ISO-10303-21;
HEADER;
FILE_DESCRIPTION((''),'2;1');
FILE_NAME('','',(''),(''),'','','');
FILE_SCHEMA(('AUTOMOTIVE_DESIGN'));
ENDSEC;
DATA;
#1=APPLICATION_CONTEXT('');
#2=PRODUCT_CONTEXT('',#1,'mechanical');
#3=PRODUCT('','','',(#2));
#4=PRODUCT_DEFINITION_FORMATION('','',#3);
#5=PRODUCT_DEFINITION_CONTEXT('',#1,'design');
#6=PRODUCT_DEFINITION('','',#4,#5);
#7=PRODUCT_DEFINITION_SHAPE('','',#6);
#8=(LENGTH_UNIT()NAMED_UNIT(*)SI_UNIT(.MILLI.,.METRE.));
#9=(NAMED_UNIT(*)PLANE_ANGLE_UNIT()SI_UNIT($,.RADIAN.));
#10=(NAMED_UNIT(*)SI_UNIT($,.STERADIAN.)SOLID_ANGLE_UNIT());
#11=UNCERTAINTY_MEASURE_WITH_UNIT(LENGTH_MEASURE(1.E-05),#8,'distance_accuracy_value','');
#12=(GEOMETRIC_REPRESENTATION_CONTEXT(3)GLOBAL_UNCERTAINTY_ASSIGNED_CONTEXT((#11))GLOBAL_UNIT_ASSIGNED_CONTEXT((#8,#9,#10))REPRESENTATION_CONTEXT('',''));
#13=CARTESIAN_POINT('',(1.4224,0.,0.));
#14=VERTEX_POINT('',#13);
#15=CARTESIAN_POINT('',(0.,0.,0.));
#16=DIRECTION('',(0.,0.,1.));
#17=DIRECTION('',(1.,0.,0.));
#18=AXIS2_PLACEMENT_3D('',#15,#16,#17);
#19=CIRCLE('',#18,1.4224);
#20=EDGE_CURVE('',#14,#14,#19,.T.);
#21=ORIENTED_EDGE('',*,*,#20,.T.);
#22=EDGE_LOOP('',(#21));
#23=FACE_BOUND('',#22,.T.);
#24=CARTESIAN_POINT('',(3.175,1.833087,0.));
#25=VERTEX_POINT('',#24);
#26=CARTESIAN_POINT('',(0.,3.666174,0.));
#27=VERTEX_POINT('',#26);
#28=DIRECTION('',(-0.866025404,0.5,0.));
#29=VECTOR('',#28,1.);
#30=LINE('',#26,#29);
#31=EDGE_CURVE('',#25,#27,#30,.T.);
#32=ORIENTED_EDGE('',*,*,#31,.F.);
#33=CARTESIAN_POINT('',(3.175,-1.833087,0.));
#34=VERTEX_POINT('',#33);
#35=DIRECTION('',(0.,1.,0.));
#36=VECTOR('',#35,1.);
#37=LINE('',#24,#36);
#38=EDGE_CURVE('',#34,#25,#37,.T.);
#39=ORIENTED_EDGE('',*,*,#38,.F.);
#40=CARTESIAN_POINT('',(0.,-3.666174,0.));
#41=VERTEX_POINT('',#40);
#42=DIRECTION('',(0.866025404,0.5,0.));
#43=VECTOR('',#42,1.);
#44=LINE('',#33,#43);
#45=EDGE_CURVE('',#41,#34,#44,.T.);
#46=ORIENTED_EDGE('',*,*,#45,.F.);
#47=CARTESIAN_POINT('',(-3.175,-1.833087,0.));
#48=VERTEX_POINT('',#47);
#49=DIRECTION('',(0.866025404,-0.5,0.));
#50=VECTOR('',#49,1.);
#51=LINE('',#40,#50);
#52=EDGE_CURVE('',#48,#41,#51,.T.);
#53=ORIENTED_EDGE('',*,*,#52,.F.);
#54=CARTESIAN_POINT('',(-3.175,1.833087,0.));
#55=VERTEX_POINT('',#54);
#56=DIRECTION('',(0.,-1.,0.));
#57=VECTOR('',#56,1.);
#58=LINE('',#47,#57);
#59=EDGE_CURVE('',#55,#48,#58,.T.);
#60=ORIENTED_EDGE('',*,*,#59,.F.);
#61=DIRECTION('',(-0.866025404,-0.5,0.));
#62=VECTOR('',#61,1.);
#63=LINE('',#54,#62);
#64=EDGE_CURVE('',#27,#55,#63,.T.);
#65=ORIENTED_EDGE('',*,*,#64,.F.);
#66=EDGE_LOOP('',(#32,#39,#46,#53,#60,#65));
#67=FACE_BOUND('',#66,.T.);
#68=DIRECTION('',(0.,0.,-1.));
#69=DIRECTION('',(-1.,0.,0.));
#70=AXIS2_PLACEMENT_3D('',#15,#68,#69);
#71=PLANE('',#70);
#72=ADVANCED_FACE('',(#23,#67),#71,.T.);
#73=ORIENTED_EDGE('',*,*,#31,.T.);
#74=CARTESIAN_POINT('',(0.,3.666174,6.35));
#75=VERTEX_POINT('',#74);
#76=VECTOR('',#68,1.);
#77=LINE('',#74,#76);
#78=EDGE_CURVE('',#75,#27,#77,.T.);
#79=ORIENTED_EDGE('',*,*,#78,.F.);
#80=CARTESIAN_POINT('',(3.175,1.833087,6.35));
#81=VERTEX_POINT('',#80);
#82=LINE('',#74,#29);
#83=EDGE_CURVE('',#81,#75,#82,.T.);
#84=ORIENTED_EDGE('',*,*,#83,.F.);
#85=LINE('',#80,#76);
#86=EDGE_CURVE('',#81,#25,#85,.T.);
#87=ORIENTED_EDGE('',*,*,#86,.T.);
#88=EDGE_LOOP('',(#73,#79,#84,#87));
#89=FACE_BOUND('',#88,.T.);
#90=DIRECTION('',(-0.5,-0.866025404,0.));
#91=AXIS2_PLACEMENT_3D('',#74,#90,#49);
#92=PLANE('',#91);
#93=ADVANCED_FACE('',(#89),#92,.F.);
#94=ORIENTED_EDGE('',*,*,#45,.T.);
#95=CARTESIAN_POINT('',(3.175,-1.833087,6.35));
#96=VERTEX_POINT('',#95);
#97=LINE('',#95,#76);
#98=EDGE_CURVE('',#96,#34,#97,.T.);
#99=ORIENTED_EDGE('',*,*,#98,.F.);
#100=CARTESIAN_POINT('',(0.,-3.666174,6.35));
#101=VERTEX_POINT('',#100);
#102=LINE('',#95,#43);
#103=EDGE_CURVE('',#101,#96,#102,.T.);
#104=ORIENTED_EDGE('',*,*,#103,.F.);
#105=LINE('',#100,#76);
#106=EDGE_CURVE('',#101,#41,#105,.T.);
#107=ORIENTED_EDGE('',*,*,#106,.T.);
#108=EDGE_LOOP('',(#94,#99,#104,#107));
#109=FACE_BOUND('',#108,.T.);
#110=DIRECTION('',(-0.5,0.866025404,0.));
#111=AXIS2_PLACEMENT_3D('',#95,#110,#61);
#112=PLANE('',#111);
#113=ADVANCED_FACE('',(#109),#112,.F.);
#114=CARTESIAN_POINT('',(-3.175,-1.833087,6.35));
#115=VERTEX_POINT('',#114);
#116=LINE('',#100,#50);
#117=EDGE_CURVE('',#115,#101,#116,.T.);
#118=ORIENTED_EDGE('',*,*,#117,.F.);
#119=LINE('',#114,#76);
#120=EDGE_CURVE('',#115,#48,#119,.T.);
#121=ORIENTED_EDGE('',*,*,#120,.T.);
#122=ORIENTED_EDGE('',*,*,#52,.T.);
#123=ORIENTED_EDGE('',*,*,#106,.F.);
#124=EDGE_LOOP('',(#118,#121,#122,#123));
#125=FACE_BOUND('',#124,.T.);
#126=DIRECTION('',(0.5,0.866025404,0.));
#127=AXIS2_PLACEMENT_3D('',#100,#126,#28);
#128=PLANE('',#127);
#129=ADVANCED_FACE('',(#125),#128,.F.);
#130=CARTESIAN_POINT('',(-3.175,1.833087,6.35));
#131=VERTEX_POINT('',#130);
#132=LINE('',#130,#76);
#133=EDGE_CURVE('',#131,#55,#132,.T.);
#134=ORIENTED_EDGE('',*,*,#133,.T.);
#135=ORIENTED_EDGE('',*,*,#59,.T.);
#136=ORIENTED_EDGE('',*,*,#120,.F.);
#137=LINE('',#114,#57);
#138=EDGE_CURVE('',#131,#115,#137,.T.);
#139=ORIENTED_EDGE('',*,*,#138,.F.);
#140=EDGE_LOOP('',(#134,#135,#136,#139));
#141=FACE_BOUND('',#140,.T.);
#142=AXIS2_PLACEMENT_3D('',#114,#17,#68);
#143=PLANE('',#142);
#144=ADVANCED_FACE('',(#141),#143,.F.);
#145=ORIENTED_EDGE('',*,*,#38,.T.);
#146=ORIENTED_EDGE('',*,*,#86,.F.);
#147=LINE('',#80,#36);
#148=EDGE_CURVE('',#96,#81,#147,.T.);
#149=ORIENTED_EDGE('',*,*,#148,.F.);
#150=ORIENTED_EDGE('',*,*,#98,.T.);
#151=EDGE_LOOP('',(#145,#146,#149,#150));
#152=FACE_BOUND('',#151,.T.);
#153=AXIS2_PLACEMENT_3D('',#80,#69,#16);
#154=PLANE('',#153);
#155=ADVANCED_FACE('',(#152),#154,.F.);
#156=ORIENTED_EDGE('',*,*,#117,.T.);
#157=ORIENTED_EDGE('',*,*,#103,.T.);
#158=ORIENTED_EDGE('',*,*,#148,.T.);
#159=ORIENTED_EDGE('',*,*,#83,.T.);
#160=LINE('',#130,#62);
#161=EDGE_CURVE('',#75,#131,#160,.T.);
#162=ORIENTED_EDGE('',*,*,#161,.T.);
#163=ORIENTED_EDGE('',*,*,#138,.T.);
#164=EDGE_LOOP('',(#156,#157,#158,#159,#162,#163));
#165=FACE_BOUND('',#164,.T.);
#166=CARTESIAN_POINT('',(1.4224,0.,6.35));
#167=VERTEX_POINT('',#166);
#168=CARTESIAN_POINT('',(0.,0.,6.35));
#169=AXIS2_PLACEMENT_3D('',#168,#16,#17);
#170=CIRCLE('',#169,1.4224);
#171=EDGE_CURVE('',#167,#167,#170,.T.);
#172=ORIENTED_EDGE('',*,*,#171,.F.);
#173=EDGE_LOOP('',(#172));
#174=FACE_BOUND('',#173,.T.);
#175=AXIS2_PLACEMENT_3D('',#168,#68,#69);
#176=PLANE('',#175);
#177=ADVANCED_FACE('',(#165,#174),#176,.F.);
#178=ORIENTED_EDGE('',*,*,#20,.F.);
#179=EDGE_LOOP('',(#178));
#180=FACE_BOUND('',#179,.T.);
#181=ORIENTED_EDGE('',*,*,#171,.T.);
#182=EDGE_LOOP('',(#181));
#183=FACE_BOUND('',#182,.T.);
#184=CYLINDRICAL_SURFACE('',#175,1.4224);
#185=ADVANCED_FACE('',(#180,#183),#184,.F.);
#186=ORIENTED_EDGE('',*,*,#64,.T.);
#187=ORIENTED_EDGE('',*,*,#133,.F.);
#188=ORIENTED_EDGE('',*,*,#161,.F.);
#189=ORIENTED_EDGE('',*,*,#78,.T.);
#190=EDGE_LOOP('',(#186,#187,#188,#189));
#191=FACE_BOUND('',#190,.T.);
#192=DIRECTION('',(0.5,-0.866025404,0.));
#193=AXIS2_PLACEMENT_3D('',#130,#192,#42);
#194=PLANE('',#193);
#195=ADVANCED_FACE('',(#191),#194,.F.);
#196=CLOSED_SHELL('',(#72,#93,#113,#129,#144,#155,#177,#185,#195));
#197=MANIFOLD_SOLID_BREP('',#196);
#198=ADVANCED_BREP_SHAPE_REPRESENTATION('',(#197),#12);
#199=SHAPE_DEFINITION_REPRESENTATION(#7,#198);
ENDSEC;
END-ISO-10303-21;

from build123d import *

# Parameters (mm, degrees)
SKETCH2_R           = 1.4224
BOSS_EXTRUDE1_DEPTH = 6.35


with BuildPart() as part:
    # Sketch2 → Boss-Extrude1 (new body)
    with BuildSketch(Plane.XY):
        Polygon((0, 3.666174209), (3.175, 1.833087105), (3.175, -1.833087105), (0, -3.666174209), (-3.175, -1.833087105), (-3.175, 1.833087105), align=None)
        Circle(SKETCH2_R, mode=Mode.SUBTRACT)
    extrude(amount=BOSS_EXTRUDE1_DEPTH)


solid = part.part
